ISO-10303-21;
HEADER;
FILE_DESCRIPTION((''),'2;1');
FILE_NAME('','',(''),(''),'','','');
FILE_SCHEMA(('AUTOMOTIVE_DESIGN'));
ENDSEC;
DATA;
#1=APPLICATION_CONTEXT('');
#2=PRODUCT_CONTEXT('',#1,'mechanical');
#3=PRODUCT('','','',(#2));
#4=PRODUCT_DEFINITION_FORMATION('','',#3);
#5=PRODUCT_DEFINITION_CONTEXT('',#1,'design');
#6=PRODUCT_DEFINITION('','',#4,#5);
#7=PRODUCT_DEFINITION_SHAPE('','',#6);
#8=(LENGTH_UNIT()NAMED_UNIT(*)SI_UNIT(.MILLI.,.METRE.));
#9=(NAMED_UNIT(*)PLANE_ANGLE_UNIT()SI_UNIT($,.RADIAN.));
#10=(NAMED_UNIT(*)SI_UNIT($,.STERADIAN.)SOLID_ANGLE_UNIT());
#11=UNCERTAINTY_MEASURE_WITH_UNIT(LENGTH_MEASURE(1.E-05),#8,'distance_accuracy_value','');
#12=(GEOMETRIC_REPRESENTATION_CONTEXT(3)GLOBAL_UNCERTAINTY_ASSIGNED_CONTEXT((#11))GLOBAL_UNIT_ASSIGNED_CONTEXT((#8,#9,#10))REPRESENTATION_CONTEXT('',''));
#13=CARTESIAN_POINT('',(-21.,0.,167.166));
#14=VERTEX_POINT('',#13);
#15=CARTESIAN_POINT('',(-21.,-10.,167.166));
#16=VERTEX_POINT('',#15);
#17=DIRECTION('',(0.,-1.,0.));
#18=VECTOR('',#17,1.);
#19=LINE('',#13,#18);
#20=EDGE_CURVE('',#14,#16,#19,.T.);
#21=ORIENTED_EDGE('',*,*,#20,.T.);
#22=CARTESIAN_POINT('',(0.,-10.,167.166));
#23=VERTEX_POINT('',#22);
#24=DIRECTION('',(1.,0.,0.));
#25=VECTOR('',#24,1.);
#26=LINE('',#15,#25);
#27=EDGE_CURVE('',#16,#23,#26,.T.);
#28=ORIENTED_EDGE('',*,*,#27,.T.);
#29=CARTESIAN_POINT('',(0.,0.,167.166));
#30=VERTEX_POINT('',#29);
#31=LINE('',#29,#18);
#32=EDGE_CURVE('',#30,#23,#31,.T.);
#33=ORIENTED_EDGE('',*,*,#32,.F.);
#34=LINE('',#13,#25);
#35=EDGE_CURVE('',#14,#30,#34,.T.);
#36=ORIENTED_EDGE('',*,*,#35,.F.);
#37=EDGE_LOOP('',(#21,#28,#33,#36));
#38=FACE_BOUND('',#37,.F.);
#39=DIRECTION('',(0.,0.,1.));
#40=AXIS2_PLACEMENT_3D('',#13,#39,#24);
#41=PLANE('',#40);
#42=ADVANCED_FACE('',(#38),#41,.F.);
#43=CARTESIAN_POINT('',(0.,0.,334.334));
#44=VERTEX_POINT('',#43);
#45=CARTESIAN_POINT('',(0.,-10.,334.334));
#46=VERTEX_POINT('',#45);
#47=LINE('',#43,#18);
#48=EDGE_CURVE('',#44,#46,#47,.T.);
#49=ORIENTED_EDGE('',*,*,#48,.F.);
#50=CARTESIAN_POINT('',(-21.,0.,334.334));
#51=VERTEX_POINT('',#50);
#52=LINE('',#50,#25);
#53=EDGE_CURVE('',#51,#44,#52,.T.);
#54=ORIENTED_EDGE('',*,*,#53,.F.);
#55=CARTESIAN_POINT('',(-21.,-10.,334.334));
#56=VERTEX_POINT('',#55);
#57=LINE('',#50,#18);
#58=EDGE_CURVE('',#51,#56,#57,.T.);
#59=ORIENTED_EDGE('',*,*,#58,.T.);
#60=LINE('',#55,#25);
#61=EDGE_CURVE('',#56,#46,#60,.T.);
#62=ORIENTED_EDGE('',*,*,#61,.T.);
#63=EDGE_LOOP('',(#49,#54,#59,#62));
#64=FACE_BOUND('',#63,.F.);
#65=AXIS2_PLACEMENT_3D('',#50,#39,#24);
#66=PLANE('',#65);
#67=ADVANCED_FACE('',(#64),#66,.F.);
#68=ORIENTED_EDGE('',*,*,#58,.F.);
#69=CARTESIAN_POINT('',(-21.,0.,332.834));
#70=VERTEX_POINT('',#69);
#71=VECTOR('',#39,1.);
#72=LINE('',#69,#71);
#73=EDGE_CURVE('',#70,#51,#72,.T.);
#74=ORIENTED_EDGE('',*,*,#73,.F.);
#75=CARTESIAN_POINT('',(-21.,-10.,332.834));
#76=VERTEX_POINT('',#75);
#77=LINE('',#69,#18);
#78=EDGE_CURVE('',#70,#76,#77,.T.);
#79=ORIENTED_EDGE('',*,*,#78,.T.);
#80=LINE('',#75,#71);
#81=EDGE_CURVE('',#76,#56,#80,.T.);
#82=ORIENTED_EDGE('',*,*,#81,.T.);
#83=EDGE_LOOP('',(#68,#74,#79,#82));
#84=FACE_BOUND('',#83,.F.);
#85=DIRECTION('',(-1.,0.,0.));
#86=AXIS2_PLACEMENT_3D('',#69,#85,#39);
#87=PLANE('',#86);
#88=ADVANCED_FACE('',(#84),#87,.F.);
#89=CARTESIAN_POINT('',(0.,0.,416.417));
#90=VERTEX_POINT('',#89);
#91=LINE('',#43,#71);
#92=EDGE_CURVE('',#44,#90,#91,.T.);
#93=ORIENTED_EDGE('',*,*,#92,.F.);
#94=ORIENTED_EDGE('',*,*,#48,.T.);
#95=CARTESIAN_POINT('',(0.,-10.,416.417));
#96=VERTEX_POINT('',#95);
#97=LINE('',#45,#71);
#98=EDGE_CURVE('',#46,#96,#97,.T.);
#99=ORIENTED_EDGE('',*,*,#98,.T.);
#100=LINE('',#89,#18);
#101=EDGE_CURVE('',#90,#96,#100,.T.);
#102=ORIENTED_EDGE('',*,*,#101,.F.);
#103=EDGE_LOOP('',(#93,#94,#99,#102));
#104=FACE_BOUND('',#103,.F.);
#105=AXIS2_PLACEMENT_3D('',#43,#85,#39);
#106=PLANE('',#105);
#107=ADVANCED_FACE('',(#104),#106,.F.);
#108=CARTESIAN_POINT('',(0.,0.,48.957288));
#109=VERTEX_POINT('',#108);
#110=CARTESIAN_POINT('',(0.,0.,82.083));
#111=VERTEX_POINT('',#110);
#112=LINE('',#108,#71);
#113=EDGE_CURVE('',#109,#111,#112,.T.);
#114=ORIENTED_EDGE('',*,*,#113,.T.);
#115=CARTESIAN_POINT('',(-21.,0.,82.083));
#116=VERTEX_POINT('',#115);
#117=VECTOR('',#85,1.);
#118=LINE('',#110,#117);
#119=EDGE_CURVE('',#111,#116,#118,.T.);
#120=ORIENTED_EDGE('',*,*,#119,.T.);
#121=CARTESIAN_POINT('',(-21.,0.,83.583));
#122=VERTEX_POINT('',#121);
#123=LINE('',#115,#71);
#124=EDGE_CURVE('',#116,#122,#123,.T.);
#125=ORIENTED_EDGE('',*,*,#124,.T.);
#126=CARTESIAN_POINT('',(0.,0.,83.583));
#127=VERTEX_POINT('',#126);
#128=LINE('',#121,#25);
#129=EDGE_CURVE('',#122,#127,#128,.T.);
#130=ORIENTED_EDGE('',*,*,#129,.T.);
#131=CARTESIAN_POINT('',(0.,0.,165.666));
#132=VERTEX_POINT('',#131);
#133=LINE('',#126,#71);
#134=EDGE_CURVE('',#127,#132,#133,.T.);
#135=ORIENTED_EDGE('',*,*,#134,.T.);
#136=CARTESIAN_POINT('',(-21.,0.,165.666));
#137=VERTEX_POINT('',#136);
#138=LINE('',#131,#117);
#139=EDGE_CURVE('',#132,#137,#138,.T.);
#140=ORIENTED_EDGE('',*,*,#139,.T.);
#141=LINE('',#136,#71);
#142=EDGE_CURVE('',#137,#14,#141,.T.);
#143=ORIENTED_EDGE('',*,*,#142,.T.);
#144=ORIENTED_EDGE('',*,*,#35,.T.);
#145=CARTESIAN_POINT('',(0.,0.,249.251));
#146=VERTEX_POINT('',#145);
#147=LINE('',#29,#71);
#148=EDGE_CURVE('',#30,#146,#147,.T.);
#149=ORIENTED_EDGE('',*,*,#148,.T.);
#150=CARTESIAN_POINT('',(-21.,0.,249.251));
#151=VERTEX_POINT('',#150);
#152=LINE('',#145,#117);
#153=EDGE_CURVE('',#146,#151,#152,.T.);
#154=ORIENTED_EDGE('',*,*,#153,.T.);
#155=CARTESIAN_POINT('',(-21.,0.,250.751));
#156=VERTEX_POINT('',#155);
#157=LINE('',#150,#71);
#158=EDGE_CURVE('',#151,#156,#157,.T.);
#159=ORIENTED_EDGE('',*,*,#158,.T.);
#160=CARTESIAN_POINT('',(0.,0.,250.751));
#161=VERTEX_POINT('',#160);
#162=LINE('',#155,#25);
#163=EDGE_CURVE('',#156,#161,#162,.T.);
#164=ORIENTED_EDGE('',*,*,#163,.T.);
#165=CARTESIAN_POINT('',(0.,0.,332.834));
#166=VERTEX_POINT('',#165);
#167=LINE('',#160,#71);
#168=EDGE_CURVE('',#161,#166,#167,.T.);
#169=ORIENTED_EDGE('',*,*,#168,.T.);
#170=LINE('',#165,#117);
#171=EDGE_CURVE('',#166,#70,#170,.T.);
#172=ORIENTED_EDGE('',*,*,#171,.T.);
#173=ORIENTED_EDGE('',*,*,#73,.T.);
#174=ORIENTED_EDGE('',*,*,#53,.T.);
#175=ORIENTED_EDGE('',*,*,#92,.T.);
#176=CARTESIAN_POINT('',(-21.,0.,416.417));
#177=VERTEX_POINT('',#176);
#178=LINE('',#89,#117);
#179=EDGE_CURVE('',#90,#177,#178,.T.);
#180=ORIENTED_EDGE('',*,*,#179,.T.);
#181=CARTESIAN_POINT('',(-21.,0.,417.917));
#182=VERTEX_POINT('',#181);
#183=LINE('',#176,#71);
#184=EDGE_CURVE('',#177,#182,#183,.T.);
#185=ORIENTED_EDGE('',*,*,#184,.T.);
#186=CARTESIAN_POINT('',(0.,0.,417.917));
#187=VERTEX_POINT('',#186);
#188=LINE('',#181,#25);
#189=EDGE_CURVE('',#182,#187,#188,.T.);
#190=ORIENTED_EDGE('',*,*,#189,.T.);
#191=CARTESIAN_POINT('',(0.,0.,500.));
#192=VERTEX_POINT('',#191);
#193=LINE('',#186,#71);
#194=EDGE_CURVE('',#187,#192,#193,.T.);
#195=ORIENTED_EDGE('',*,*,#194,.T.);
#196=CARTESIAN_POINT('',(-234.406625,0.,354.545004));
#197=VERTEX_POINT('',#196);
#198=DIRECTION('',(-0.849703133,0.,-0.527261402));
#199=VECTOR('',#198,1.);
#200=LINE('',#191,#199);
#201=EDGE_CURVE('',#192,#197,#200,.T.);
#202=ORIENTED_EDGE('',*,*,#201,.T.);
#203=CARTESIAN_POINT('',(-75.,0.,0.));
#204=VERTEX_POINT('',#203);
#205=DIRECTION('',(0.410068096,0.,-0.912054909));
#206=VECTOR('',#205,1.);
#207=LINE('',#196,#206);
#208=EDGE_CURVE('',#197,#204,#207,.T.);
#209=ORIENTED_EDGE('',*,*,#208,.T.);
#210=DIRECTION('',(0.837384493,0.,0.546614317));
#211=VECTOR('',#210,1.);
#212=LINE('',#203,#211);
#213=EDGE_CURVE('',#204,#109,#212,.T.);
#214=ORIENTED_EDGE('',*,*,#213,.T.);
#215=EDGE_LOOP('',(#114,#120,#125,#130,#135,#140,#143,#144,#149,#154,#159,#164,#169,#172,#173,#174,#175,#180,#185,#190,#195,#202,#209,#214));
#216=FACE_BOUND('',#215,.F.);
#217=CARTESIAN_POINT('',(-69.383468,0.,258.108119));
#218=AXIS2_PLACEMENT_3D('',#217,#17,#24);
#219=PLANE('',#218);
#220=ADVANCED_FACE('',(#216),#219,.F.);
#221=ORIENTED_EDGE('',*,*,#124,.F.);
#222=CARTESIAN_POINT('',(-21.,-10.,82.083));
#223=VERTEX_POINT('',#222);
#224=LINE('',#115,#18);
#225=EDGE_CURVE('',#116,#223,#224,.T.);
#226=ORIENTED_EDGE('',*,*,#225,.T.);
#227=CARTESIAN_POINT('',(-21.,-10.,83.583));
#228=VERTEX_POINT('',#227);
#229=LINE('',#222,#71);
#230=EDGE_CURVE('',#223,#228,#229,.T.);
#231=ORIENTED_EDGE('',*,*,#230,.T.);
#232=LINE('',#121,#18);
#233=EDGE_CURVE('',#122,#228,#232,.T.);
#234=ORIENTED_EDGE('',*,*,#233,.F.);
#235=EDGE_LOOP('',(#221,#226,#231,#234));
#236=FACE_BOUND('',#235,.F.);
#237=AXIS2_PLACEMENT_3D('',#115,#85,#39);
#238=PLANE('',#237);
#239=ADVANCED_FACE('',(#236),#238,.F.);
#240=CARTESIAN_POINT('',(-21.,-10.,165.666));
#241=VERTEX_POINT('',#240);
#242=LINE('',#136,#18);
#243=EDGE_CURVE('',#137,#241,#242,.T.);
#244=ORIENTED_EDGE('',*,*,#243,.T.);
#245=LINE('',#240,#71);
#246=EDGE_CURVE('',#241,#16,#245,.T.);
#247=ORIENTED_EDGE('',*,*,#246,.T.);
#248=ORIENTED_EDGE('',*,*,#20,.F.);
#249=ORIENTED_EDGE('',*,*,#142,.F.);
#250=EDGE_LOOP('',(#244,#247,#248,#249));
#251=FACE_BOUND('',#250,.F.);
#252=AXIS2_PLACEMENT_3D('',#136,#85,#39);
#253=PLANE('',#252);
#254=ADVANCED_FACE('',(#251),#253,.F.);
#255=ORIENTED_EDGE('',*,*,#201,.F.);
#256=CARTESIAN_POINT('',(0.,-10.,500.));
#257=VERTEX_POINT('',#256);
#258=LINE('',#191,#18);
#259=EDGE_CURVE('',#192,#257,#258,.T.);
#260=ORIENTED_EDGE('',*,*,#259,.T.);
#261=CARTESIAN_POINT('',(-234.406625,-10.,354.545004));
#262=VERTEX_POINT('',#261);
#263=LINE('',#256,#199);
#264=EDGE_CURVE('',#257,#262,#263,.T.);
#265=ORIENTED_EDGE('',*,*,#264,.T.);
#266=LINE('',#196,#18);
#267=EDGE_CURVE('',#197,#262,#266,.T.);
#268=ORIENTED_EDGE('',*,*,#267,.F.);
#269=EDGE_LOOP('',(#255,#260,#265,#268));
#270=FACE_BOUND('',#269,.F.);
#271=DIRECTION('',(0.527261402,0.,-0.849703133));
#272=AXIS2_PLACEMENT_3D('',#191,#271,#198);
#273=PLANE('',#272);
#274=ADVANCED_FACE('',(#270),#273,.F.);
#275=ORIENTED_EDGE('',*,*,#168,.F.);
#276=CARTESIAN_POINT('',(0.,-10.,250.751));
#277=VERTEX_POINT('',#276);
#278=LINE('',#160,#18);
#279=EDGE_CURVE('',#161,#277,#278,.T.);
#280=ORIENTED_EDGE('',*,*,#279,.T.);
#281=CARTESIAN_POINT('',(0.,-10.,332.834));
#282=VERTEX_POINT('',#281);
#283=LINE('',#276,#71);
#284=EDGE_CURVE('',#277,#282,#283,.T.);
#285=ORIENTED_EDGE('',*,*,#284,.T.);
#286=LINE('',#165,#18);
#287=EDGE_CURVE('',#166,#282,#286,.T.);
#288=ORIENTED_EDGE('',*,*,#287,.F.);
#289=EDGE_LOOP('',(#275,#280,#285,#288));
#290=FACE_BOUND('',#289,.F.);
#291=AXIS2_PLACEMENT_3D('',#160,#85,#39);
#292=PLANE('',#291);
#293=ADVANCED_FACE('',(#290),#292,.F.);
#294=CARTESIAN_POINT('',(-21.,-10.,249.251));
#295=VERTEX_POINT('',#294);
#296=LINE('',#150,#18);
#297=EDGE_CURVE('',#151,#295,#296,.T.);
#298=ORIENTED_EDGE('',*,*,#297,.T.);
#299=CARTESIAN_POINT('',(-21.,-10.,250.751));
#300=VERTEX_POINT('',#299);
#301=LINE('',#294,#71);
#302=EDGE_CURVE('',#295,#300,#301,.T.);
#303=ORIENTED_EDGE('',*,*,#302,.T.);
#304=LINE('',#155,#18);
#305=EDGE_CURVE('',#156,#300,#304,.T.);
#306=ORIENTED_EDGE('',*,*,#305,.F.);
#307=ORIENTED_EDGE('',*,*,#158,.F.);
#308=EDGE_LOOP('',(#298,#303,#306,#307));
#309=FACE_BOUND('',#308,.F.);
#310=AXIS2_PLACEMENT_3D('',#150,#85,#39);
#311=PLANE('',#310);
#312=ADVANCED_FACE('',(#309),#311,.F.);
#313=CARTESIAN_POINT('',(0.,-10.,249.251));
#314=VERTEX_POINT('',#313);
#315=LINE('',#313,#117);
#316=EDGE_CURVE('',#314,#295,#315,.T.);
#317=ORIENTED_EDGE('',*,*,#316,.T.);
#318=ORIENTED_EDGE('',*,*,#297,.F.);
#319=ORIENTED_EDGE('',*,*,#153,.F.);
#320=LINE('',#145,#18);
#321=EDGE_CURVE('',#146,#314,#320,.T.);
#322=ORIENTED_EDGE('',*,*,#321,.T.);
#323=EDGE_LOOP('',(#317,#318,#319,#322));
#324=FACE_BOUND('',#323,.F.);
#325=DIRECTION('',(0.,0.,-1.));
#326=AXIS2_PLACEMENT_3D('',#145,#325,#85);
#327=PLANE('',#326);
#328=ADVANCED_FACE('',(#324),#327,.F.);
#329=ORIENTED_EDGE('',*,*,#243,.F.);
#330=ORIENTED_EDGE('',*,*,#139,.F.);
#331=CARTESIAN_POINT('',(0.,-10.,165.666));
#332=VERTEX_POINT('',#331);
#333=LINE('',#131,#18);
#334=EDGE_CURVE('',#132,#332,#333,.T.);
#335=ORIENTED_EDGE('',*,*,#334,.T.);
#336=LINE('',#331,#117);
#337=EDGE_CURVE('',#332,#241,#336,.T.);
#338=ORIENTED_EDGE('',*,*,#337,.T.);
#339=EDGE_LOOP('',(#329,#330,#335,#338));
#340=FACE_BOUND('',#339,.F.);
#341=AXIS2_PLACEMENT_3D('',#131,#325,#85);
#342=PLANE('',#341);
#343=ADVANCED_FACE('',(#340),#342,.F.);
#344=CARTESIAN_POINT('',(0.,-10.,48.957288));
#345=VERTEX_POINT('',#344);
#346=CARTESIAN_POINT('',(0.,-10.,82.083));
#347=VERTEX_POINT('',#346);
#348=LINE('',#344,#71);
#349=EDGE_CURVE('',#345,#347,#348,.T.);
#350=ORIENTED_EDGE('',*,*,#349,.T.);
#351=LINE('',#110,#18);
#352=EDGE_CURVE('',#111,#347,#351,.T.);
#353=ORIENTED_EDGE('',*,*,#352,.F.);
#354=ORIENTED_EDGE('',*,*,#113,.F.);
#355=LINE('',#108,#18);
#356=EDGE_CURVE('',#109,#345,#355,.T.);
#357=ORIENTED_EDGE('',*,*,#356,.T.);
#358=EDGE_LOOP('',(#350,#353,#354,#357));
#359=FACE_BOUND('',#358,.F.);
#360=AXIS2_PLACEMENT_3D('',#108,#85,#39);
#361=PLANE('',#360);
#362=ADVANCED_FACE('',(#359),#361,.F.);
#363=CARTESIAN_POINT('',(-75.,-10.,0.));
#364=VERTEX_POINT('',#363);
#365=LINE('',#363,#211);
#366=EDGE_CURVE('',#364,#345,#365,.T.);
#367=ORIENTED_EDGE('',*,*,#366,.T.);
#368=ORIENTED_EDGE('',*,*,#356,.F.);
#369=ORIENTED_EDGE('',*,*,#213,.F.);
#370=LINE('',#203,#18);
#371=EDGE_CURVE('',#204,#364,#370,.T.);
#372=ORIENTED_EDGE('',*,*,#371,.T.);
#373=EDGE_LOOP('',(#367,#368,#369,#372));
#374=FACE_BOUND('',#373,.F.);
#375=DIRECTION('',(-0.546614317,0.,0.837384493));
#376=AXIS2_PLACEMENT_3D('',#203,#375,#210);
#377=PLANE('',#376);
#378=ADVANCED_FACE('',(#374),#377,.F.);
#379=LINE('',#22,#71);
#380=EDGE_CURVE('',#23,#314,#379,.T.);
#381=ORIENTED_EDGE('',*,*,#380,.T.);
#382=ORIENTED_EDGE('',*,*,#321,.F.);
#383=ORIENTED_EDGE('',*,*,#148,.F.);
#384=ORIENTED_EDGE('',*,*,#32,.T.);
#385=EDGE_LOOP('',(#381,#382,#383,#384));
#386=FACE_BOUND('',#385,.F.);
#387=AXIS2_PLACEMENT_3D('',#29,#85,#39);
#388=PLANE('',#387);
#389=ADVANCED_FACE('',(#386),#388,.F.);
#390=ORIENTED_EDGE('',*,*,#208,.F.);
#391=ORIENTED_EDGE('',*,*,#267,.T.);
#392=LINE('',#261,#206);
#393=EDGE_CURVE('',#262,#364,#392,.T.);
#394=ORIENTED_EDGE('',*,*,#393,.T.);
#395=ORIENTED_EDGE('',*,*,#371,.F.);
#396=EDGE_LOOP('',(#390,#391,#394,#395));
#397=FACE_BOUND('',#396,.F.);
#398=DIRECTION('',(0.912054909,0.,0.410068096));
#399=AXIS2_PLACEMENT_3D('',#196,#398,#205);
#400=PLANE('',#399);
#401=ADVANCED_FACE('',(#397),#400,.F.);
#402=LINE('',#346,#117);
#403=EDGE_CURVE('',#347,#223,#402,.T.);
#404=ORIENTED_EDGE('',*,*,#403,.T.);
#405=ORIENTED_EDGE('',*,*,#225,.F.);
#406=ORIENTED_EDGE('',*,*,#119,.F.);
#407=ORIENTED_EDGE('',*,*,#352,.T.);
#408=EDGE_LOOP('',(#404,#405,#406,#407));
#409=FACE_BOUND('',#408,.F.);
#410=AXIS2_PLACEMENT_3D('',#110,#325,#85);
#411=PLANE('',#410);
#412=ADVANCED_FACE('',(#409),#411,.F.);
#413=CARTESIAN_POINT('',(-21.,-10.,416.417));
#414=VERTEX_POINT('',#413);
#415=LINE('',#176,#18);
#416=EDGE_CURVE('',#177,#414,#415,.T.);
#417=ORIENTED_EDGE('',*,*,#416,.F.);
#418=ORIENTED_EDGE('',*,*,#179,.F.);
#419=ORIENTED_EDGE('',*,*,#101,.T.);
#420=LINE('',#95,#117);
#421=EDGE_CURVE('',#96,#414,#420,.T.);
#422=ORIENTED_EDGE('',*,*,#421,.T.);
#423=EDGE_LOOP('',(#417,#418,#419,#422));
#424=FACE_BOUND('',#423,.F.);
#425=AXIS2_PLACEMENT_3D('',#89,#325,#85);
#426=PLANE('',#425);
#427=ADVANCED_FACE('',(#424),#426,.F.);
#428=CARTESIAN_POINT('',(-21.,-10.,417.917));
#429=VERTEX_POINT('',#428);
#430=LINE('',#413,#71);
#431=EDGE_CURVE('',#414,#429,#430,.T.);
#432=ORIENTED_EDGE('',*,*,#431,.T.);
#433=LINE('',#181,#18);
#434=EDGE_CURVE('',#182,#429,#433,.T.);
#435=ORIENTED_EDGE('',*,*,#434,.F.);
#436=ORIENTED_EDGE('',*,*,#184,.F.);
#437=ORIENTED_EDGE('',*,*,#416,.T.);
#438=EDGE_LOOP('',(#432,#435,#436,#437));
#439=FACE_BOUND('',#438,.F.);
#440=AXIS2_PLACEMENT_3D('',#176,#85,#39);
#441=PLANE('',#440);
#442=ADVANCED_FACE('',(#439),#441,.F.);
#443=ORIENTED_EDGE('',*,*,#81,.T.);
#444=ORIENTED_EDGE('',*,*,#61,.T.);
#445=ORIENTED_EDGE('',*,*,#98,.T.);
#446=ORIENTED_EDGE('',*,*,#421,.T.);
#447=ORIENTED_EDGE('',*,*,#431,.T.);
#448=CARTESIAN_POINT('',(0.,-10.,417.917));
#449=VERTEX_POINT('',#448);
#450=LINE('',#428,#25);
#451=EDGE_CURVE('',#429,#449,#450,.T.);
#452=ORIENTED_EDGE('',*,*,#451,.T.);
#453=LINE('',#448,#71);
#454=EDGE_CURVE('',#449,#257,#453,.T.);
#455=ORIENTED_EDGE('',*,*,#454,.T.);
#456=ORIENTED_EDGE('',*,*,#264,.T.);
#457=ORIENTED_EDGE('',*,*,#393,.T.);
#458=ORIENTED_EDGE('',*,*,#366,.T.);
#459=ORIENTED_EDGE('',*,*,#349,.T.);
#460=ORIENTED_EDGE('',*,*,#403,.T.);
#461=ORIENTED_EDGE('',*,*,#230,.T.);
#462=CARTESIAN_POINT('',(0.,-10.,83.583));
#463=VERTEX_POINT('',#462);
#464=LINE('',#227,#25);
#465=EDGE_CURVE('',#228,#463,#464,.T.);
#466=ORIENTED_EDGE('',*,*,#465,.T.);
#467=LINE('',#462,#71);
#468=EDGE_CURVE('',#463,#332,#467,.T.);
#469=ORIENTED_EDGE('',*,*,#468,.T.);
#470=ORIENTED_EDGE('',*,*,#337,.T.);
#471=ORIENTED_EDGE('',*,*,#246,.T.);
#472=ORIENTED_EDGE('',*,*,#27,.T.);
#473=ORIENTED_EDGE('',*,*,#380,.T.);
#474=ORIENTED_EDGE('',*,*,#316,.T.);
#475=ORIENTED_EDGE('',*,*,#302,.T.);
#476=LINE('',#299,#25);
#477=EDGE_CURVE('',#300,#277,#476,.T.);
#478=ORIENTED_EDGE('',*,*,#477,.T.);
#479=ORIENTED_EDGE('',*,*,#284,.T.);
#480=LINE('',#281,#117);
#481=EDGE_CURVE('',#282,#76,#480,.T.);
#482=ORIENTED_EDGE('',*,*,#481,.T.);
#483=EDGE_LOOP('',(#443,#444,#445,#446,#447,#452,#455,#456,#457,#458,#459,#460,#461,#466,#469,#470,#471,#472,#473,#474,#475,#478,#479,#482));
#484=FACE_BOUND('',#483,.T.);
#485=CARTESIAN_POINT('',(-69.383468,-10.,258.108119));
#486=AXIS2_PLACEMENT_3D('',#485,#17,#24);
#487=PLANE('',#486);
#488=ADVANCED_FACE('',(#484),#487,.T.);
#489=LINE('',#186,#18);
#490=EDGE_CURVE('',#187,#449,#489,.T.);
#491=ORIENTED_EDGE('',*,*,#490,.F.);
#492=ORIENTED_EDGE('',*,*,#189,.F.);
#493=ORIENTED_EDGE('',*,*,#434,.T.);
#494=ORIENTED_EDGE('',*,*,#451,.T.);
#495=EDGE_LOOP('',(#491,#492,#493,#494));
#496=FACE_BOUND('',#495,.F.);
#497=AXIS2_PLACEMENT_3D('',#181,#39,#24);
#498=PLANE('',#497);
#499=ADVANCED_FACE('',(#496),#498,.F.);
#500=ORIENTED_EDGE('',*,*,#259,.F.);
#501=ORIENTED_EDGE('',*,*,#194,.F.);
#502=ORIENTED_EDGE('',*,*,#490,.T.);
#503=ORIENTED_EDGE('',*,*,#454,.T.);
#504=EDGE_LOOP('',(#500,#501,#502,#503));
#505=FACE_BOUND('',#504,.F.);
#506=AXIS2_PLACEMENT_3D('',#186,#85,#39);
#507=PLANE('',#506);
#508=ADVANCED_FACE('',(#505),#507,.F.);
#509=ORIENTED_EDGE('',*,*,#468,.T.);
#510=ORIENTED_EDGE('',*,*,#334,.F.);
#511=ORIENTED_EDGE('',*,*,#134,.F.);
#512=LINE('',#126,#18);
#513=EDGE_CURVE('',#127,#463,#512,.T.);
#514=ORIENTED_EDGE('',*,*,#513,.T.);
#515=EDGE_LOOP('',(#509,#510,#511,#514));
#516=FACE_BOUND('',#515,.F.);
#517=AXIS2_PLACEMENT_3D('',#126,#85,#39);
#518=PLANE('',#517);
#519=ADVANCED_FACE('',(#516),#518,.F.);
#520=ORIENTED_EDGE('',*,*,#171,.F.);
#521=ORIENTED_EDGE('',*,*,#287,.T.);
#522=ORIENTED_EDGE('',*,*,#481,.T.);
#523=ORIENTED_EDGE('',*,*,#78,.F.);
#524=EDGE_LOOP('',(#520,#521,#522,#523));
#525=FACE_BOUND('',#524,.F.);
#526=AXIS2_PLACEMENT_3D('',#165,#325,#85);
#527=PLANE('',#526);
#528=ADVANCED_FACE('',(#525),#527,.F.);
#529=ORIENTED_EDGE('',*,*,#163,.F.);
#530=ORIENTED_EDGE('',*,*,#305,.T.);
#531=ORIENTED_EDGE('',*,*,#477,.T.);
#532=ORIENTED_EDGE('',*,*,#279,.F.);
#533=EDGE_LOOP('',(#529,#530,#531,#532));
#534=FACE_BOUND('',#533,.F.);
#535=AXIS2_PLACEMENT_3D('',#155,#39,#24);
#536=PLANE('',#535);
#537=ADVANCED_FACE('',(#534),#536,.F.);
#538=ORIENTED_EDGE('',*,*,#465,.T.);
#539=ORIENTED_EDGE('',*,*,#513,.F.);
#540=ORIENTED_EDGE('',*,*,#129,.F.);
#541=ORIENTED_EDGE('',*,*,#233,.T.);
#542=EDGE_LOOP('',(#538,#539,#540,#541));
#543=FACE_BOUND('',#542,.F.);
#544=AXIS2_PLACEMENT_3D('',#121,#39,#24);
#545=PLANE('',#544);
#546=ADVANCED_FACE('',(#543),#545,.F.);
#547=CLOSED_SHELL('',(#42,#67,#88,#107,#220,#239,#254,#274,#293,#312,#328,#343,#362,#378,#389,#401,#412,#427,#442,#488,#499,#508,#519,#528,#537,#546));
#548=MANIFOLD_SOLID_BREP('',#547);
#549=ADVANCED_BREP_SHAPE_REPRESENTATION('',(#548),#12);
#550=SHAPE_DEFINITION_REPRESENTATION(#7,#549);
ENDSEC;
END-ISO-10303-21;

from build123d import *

# Parameters (mm, degrees)
F1_DEPTH = 10


with BuildPart() as f1:
    # F0 (on Front) → F1 (new body)
    with BuildSketch(Plane.XZ):
        Polygon((-75, 0), (0, 48.957288), (0, 82.083), (-21, 82.083), (-21, 83.583), (0, 83.583), (0, 165.666), (-21, 165.666), (-21, 167.166), (0, 167.166), (0, 249.251), (-21, 249.251), (-21, 250.751), (0, 250.751), (0, 332.834), (-21, 332.834), (-21, 334.334), (0, 334.334), (0, 416.417), (-21, 416.417), (-21, 417.917), (0, 417.917), (0, 500), (-234.406625, 354.545004), align=None)
    extrude(amount=F1_DEPTH)


solid = f1.part
